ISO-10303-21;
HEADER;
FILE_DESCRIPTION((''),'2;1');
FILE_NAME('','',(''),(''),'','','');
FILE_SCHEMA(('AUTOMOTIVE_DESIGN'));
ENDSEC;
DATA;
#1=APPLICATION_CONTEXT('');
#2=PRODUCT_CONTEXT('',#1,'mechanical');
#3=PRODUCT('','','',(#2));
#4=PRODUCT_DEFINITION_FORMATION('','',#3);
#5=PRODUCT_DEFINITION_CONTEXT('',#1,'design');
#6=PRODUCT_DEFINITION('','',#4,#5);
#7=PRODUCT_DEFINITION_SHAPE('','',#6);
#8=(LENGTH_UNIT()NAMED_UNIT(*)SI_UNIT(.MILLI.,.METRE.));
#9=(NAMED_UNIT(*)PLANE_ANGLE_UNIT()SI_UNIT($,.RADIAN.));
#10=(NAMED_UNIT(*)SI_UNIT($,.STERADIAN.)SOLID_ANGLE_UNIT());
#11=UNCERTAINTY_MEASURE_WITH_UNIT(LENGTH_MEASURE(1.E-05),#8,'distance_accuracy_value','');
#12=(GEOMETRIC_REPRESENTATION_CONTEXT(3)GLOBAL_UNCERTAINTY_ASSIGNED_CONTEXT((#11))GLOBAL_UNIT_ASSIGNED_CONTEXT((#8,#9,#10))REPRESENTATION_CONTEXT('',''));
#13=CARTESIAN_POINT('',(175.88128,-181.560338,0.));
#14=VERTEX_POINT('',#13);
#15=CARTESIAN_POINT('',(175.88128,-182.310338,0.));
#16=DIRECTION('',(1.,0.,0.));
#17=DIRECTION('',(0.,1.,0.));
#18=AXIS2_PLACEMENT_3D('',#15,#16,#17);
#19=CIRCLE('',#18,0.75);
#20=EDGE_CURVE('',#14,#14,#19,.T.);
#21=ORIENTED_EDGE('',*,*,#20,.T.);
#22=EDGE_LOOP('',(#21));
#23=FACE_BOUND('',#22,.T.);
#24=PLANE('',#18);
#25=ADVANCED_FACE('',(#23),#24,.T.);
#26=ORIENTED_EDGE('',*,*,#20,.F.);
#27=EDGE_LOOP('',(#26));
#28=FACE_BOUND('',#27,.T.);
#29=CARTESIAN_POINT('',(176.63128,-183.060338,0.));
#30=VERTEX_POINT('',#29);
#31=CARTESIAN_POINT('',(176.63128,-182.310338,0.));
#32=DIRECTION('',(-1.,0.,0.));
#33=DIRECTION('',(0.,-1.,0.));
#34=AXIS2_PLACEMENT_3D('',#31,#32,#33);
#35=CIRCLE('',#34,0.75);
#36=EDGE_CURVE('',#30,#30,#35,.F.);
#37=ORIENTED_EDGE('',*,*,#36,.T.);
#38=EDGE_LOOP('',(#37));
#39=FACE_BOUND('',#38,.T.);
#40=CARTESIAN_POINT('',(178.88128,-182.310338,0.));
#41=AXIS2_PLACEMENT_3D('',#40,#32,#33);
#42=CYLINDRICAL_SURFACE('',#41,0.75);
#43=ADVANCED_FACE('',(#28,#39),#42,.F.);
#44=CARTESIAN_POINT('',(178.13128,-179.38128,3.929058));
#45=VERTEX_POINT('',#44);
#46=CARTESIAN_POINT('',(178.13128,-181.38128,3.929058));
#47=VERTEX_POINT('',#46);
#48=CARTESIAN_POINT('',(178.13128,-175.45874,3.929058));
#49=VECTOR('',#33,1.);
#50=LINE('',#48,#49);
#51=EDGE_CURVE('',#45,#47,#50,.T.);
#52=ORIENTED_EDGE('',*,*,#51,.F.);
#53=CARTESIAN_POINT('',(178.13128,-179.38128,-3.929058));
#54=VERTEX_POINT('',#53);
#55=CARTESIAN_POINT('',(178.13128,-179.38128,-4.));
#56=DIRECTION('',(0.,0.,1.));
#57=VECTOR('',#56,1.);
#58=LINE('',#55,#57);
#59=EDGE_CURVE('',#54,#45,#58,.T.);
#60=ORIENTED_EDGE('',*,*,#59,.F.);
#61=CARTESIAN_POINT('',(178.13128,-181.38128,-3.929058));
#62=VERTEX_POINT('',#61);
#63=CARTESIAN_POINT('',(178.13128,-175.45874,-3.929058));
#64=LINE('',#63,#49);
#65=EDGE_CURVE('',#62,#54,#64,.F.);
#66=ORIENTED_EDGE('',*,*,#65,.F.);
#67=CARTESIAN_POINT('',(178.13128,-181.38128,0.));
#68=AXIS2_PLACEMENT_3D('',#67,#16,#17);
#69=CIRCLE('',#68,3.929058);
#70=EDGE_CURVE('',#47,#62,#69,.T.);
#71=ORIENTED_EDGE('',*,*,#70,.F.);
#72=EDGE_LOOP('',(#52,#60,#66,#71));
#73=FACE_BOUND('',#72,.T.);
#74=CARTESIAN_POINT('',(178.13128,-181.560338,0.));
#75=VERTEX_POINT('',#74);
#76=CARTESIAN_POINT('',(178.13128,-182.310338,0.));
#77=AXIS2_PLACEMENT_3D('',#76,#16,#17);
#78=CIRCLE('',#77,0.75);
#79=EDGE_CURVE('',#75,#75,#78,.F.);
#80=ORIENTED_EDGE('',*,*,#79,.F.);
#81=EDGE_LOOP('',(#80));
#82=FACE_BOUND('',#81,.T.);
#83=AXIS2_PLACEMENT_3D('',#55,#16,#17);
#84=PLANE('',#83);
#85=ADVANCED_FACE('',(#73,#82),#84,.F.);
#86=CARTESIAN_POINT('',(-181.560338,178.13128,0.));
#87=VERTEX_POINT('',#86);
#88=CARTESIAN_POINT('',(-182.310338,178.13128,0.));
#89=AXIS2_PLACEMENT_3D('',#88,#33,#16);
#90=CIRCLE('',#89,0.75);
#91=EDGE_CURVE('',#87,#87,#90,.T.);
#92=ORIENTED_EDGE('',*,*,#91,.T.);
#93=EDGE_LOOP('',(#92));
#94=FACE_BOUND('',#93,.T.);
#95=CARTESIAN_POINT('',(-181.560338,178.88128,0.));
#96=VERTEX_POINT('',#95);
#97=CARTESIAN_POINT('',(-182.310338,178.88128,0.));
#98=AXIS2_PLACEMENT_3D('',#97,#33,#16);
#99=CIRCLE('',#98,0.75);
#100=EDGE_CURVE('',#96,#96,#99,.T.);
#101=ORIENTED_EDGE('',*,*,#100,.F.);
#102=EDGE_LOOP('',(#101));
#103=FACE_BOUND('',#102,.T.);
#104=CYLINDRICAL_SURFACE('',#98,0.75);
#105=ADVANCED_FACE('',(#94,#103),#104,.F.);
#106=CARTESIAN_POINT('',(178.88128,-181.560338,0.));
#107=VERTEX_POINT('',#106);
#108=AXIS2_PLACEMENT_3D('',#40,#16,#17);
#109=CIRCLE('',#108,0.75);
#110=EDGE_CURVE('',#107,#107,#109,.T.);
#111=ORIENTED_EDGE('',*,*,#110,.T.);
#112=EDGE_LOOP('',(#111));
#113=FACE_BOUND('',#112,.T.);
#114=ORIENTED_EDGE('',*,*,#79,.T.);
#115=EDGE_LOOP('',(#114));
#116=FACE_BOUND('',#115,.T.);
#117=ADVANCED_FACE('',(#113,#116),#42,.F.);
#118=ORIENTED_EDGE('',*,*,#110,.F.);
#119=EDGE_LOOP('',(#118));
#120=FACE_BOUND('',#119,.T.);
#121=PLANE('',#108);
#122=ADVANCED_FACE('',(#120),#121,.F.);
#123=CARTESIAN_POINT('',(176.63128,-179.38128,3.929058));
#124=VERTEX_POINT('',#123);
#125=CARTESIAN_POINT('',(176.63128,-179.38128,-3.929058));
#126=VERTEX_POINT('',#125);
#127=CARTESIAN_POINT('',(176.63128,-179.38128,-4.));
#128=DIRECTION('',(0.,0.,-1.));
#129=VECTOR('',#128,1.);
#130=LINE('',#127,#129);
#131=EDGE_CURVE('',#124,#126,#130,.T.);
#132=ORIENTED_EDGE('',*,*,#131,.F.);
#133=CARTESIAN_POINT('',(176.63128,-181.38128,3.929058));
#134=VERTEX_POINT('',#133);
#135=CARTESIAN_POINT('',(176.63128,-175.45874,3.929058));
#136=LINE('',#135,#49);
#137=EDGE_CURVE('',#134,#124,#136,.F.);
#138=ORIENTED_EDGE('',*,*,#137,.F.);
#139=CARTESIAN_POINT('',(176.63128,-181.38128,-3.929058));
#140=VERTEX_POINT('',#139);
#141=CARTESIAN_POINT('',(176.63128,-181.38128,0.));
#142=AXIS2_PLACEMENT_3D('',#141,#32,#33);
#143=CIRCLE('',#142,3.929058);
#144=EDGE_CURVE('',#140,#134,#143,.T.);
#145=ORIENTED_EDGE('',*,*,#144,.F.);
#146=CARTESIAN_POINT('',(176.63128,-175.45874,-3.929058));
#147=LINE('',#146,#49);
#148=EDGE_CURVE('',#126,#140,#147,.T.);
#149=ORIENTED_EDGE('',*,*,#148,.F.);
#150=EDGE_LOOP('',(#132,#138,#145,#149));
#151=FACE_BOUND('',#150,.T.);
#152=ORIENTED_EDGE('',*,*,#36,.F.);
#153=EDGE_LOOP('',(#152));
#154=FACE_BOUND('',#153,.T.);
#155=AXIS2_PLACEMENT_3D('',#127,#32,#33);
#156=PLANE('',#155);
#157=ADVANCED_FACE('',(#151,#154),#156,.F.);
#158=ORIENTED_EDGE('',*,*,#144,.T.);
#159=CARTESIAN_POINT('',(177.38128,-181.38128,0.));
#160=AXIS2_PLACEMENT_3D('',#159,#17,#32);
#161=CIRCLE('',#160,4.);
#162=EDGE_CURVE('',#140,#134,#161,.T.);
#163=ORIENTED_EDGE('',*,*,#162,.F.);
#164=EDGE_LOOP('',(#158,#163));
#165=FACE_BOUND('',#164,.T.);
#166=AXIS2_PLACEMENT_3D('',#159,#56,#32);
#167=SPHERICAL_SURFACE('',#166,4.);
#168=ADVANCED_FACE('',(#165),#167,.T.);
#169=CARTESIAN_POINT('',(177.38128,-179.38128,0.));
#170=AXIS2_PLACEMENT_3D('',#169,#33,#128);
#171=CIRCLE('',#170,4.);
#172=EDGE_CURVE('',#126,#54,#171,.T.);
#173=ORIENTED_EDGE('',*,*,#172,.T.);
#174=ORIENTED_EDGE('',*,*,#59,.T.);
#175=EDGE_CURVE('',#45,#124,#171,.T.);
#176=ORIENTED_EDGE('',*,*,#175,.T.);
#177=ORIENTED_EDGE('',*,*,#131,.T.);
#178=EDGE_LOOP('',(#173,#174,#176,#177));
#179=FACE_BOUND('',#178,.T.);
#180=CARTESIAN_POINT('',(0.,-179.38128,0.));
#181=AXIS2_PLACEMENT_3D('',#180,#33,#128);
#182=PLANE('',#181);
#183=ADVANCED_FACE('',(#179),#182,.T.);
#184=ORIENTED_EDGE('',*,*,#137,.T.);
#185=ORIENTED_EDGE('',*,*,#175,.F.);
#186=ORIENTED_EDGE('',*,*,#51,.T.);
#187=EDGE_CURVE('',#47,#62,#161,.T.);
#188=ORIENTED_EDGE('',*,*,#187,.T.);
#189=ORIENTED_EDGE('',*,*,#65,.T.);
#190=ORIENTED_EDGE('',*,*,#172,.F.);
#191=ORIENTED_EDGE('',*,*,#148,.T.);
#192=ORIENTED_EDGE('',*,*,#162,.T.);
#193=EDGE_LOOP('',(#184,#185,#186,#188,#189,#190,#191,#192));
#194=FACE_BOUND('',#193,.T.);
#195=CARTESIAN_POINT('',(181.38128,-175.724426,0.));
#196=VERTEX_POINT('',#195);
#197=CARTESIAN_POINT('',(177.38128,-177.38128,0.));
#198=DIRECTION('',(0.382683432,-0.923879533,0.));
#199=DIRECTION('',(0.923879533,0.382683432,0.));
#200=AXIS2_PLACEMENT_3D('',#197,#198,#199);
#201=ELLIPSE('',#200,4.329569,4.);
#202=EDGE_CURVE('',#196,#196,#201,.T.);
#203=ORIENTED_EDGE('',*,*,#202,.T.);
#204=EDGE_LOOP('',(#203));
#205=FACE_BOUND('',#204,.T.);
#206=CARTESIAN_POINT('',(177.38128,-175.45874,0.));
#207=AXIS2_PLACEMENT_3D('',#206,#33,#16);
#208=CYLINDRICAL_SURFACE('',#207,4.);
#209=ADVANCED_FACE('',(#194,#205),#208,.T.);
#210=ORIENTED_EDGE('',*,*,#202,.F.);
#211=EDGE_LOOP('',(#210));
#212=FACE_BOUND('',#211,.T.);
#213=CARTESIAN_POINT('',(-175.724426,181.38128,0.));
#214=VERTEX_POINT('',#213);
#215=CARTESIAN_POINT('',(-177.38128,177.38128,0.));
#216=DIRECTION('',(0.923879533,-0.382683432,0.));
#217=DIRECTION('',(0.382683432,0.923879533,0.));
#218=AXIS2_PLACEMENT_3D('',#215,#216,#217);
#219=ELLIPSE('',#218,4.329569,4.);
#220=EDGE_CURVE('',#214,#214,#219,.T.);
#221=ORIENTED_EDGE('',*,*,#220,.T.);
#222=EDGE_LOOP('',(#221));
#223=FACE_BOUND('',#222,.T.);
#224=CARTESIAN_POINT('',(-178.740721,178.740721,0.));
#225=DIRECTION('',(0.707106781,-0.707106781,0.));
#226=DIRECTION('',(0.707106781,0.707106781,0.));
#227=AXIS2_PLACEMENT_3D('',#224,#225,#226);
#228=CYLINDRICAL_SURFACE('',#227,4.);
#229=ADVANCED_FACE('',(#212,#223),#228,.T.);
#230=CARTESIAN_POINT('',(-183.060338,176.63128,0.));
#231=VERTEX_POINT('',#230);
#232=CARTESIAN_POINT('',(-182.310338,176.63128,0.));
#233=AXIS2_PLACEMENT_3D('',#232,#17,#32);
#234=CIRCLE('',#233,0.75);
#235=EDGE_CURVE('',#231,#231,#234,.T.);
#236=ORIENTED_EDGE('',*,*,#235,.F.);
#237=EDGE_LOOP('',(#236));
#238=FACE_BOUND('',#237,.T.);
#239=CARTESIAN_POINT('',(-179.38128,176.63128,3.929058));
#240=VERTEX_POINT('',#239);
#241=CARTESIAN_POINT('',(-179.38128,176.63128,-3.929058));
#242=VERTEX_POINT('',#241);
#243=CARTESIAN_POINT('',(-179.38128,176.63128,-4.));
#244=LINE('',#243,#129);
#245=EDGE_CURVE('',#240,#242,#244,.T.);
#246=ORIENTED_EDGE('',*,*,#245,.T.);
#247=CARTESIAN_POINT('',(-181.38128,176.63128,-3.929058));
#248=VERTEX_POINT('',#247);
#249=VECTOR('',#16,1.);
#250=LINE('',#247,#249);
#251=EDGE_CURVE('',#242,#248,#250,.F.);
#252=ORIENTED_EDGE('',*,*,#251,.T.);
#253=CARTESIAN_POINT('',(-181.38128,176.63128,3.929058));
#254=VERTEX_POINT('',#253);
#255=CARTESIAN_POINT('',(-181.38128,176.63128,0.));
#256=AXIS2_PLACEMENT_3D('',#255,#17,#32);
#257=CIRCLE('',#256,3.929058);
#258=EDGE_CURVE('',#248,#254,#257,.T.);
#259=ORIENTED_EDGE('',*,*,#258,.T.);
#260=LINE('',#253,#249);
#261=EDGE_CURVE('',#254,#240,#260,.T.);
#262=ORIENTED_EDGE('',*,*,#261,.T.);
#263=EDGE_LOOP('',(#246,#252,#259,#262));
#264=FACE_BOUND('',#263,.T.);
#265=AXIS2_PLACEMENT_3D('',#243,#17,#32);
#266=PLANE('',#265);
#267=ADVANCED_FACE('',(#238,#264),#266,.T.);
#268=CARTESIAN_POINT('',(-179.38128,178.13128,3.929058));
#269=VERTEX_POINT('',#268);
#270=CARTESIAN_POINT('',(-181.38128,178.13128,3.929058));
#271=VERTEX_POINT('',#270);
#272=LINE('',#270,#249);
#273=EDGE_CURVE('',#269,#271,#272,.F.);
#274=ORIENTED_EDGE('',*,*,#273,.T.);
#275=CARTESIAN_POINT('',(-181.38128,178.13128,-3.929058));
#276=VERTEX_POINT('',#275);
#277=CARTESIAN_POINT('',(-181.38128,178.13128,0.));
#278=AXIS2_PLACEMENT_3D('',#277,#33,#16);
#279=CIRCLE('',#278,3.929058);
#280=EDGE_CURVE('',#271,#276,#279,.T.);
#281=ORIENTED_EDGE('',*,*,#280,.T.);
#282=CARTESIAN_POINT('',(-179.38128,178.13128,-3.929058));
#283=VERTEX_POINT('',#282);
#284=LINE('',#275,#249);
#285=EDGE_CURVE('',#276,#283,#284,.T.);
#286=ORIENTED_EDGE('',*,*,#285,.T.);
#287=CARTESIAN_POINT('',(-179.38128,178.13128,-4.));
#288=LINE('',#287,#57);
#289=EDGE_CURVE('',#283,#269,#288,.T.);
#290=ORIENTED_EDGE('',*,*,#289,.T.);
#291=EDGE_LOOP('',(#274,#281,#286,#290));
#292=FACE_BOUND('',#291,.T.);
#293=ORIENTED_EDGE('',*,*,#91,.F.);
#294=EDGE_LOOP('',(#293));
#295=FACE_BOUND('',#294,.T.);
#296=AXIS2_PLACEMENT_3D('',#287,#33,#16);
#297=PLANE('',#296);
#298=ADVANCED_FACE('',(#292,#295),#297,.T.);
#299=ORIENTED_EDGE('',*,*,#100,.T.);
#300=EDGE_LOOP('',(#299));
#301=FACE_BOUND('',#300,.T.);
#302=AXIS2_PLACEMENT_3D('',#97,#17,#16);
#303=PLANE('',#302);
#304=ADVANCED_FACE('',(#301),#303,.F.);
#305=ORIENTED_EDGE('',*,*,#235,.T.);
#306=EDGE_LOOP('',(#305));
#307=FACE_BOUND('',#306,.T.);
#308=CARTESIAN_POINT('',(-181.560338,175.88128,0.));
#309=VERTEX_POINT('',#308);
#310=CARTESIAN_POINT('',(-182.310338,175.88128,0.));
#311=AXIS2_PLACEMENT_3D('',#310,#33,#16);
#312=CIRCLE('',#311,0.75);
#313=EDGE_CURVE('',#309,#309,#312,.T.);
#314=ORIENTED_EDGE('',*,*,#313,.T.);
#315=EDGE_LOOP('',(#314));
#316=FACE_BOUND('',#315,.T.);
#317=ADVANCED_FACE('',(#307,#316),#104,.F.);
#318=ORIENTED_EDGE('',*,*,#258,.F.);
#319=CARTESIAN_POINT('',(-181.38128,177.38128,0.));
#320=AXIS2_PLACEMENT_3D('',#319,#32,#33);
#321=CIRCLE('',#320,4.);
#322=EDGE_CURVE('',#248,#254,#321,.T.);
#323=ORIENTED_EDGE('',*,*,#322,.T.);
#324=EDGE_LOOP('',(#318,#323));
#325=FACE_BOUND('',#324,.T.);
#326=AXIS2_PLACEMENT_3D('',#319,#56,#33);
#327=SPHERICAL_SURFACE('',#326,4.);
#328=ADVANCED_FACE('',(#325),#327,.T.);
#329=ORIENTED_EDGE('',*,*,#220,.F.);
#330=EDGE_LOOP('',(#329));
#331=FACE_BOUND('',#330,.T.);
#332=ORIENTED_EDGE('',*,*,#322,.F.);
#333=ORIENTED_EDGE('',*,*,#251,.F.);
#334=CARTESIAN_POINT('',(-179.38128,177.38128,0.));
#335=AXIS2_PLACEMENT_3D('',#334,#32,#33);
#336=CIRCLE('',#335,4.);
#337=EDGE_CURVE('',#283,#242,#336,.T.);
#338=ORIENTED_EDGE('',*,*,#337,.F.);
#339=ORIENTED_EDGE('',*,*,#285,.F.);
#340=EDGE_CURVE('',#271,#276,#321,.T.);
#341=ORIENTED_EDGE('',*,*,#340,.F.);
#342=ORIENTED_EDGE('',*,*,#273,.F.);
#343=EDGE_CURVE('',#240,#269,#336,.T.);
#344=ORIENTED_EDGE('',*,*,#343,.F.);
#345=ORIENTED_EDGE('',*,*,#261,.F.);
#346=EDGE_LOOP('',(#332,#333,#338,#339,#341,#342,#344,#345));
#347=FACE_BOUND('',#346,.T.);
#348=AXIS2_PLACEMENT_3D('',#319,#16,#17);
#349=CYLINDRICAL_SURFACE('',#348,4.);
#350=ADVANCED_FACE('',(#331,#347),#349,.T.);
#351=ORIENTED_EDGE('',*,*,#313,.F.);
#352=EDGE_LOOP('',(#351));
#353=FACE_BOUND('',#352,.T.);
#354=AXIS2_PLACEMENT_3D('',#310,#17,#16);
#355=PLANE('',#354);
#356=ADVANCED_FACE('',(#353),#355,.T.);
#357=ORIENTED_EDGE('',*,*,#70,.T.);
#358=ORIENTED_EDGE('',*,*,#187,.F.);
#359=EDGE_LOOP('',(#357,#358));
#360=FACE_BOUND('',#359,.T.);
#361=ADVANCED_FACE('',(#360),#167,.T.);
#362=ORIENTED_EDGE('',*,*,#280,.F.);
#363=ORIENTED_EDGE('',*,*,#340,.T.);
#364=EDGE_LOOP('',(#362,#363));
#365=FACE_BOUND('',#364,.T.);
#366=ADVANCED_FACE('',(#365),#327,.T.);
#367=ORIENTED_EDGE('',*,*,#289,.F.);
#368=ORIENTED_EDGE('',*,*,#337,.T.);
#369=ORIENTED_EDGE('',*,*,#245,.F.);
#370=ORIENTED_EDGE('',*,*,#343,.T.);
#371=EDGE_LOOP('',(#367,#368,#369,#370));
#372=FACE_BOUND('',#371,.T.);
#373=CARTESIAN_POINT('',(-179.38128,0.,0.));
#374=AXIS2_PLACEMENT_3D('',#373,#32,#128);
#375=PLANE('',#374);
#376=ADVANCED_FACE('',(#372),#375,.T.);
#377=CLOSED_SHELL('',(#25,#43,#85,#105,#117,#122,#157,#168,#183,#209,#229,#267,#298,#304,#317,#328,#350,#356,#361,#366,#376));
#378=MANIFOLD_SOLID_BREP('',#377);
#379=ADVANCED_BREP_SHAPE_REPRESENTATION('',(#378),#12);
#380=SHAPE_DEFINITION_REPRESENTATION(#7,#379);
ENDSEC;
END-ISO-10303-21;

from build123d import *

# Parameters (mm, degrees)
SKETCH2_R          = 4
REVOLVE7_ANGLE     = 180
CUT_EXTRUDE1_START = -2
SKETCH6_W          = 1.5
SKETCH6_H          = 8
CUT_EXTRUDE1_DEPTH = 12
SKETCH8_R          = 0.75
CUT_EXTRUDE2_DEPTH = 1.5


with BuildPart() as part:
    # Sweep1: sweep along a path in Sketch1
    with BuildLine(Plane.XY) as sweep1_path:
        Line((-181.381279793, 177.381279793), (-177.381279793, 177.381279793))
        Line((-177.381279793, 177.381279793), (177.381279793, -177.381279793))
        Line((177.381279793, -177.381279793), (177.381279793, -181.381279793))
    # Sketch2 → Sweep1 (sweep)
    with BuildSketch(Plane(origin=(0, 0, 0), x_dir=(0, 0, 1), z_dir=(-0.707106781, 0.707106781, 0))):
        Circle(SKETCH2_R)
    sweep(path=sweep1_path.line, transition=Transition.RIGHT)

    # Sketch4 → Revolve7 (revolve)
    with BuildSketch(Plane.XZ.offset(181.381279793)):
        with BuildLine():
            Line((177.381279793, 4), (177.381279793, -4))
            ThreePointArc((177.381279793, -4), (181.381279793, 0), (177.381279793, 4))
        make_face()
    revolve7 = revolve(axis=Axis((177.381279793, -181.381279793, 4), (0, 0, -1)), revolution_arc=REVOLVE7_ANGLE)

    # Sketch6 → Cut-Extrude1 (cut)
    with BuildSketch(Plane(origin=(0, -181.381279793, 0), x_dir=(-1, 0, 0), z_dir=(0, -1, 0)).offset(CUT_EXTRUDE1_START)):
        with Locations((-177.381279793, 0)):
            Rectangle(SKETCH6_W, SKETCH6_H)
    cut_extrude1 = extrude(amount=CUT_EXTRUDE1_DEPTH, mode=Mode.SUBTRACT)

    # Sketch8 → Cut-Extrude2 (cut, symmetric)
    with BuildSketch(Plane(origin=(177.381279793, 0, 0), x_dir=(0, 0, -1), z_dir=(1, 0, 0))):
        with Locations((0, -182.310338204)):
            Circle(SKETCH8_R)
    cut_extrude2 = extrude(amount=CUT_EXTRUDE2_DEPTH, both=True, mode=Mode.SUBTRACT)

    # Mirror1: Revolve7, Cut-Extrude1, Cut-Extrude2 across plane
    add(revolve7.mirror(Plane(origin=(0, 0, 0), x_dir=(0, 0, 1), z_dir=(-0.707106781, 0.707106781, 0))))
    add(cut_extrude1.mirror(Plane(origin=(0, 0, 0), x_dir=(0, 0, 1), z_dir=(-0.707106781, 0.707106781, 0))), mode=Mode.SUBTRACT)
    add(cut_extrude2.mirror(Plane(origin=(0, 0, 0), x_dir=(0, 0, 1), z_dir=(-0.707106781, 0.707106781, 0))), mode=Mode.SUBTRACT)


solid = part.part
